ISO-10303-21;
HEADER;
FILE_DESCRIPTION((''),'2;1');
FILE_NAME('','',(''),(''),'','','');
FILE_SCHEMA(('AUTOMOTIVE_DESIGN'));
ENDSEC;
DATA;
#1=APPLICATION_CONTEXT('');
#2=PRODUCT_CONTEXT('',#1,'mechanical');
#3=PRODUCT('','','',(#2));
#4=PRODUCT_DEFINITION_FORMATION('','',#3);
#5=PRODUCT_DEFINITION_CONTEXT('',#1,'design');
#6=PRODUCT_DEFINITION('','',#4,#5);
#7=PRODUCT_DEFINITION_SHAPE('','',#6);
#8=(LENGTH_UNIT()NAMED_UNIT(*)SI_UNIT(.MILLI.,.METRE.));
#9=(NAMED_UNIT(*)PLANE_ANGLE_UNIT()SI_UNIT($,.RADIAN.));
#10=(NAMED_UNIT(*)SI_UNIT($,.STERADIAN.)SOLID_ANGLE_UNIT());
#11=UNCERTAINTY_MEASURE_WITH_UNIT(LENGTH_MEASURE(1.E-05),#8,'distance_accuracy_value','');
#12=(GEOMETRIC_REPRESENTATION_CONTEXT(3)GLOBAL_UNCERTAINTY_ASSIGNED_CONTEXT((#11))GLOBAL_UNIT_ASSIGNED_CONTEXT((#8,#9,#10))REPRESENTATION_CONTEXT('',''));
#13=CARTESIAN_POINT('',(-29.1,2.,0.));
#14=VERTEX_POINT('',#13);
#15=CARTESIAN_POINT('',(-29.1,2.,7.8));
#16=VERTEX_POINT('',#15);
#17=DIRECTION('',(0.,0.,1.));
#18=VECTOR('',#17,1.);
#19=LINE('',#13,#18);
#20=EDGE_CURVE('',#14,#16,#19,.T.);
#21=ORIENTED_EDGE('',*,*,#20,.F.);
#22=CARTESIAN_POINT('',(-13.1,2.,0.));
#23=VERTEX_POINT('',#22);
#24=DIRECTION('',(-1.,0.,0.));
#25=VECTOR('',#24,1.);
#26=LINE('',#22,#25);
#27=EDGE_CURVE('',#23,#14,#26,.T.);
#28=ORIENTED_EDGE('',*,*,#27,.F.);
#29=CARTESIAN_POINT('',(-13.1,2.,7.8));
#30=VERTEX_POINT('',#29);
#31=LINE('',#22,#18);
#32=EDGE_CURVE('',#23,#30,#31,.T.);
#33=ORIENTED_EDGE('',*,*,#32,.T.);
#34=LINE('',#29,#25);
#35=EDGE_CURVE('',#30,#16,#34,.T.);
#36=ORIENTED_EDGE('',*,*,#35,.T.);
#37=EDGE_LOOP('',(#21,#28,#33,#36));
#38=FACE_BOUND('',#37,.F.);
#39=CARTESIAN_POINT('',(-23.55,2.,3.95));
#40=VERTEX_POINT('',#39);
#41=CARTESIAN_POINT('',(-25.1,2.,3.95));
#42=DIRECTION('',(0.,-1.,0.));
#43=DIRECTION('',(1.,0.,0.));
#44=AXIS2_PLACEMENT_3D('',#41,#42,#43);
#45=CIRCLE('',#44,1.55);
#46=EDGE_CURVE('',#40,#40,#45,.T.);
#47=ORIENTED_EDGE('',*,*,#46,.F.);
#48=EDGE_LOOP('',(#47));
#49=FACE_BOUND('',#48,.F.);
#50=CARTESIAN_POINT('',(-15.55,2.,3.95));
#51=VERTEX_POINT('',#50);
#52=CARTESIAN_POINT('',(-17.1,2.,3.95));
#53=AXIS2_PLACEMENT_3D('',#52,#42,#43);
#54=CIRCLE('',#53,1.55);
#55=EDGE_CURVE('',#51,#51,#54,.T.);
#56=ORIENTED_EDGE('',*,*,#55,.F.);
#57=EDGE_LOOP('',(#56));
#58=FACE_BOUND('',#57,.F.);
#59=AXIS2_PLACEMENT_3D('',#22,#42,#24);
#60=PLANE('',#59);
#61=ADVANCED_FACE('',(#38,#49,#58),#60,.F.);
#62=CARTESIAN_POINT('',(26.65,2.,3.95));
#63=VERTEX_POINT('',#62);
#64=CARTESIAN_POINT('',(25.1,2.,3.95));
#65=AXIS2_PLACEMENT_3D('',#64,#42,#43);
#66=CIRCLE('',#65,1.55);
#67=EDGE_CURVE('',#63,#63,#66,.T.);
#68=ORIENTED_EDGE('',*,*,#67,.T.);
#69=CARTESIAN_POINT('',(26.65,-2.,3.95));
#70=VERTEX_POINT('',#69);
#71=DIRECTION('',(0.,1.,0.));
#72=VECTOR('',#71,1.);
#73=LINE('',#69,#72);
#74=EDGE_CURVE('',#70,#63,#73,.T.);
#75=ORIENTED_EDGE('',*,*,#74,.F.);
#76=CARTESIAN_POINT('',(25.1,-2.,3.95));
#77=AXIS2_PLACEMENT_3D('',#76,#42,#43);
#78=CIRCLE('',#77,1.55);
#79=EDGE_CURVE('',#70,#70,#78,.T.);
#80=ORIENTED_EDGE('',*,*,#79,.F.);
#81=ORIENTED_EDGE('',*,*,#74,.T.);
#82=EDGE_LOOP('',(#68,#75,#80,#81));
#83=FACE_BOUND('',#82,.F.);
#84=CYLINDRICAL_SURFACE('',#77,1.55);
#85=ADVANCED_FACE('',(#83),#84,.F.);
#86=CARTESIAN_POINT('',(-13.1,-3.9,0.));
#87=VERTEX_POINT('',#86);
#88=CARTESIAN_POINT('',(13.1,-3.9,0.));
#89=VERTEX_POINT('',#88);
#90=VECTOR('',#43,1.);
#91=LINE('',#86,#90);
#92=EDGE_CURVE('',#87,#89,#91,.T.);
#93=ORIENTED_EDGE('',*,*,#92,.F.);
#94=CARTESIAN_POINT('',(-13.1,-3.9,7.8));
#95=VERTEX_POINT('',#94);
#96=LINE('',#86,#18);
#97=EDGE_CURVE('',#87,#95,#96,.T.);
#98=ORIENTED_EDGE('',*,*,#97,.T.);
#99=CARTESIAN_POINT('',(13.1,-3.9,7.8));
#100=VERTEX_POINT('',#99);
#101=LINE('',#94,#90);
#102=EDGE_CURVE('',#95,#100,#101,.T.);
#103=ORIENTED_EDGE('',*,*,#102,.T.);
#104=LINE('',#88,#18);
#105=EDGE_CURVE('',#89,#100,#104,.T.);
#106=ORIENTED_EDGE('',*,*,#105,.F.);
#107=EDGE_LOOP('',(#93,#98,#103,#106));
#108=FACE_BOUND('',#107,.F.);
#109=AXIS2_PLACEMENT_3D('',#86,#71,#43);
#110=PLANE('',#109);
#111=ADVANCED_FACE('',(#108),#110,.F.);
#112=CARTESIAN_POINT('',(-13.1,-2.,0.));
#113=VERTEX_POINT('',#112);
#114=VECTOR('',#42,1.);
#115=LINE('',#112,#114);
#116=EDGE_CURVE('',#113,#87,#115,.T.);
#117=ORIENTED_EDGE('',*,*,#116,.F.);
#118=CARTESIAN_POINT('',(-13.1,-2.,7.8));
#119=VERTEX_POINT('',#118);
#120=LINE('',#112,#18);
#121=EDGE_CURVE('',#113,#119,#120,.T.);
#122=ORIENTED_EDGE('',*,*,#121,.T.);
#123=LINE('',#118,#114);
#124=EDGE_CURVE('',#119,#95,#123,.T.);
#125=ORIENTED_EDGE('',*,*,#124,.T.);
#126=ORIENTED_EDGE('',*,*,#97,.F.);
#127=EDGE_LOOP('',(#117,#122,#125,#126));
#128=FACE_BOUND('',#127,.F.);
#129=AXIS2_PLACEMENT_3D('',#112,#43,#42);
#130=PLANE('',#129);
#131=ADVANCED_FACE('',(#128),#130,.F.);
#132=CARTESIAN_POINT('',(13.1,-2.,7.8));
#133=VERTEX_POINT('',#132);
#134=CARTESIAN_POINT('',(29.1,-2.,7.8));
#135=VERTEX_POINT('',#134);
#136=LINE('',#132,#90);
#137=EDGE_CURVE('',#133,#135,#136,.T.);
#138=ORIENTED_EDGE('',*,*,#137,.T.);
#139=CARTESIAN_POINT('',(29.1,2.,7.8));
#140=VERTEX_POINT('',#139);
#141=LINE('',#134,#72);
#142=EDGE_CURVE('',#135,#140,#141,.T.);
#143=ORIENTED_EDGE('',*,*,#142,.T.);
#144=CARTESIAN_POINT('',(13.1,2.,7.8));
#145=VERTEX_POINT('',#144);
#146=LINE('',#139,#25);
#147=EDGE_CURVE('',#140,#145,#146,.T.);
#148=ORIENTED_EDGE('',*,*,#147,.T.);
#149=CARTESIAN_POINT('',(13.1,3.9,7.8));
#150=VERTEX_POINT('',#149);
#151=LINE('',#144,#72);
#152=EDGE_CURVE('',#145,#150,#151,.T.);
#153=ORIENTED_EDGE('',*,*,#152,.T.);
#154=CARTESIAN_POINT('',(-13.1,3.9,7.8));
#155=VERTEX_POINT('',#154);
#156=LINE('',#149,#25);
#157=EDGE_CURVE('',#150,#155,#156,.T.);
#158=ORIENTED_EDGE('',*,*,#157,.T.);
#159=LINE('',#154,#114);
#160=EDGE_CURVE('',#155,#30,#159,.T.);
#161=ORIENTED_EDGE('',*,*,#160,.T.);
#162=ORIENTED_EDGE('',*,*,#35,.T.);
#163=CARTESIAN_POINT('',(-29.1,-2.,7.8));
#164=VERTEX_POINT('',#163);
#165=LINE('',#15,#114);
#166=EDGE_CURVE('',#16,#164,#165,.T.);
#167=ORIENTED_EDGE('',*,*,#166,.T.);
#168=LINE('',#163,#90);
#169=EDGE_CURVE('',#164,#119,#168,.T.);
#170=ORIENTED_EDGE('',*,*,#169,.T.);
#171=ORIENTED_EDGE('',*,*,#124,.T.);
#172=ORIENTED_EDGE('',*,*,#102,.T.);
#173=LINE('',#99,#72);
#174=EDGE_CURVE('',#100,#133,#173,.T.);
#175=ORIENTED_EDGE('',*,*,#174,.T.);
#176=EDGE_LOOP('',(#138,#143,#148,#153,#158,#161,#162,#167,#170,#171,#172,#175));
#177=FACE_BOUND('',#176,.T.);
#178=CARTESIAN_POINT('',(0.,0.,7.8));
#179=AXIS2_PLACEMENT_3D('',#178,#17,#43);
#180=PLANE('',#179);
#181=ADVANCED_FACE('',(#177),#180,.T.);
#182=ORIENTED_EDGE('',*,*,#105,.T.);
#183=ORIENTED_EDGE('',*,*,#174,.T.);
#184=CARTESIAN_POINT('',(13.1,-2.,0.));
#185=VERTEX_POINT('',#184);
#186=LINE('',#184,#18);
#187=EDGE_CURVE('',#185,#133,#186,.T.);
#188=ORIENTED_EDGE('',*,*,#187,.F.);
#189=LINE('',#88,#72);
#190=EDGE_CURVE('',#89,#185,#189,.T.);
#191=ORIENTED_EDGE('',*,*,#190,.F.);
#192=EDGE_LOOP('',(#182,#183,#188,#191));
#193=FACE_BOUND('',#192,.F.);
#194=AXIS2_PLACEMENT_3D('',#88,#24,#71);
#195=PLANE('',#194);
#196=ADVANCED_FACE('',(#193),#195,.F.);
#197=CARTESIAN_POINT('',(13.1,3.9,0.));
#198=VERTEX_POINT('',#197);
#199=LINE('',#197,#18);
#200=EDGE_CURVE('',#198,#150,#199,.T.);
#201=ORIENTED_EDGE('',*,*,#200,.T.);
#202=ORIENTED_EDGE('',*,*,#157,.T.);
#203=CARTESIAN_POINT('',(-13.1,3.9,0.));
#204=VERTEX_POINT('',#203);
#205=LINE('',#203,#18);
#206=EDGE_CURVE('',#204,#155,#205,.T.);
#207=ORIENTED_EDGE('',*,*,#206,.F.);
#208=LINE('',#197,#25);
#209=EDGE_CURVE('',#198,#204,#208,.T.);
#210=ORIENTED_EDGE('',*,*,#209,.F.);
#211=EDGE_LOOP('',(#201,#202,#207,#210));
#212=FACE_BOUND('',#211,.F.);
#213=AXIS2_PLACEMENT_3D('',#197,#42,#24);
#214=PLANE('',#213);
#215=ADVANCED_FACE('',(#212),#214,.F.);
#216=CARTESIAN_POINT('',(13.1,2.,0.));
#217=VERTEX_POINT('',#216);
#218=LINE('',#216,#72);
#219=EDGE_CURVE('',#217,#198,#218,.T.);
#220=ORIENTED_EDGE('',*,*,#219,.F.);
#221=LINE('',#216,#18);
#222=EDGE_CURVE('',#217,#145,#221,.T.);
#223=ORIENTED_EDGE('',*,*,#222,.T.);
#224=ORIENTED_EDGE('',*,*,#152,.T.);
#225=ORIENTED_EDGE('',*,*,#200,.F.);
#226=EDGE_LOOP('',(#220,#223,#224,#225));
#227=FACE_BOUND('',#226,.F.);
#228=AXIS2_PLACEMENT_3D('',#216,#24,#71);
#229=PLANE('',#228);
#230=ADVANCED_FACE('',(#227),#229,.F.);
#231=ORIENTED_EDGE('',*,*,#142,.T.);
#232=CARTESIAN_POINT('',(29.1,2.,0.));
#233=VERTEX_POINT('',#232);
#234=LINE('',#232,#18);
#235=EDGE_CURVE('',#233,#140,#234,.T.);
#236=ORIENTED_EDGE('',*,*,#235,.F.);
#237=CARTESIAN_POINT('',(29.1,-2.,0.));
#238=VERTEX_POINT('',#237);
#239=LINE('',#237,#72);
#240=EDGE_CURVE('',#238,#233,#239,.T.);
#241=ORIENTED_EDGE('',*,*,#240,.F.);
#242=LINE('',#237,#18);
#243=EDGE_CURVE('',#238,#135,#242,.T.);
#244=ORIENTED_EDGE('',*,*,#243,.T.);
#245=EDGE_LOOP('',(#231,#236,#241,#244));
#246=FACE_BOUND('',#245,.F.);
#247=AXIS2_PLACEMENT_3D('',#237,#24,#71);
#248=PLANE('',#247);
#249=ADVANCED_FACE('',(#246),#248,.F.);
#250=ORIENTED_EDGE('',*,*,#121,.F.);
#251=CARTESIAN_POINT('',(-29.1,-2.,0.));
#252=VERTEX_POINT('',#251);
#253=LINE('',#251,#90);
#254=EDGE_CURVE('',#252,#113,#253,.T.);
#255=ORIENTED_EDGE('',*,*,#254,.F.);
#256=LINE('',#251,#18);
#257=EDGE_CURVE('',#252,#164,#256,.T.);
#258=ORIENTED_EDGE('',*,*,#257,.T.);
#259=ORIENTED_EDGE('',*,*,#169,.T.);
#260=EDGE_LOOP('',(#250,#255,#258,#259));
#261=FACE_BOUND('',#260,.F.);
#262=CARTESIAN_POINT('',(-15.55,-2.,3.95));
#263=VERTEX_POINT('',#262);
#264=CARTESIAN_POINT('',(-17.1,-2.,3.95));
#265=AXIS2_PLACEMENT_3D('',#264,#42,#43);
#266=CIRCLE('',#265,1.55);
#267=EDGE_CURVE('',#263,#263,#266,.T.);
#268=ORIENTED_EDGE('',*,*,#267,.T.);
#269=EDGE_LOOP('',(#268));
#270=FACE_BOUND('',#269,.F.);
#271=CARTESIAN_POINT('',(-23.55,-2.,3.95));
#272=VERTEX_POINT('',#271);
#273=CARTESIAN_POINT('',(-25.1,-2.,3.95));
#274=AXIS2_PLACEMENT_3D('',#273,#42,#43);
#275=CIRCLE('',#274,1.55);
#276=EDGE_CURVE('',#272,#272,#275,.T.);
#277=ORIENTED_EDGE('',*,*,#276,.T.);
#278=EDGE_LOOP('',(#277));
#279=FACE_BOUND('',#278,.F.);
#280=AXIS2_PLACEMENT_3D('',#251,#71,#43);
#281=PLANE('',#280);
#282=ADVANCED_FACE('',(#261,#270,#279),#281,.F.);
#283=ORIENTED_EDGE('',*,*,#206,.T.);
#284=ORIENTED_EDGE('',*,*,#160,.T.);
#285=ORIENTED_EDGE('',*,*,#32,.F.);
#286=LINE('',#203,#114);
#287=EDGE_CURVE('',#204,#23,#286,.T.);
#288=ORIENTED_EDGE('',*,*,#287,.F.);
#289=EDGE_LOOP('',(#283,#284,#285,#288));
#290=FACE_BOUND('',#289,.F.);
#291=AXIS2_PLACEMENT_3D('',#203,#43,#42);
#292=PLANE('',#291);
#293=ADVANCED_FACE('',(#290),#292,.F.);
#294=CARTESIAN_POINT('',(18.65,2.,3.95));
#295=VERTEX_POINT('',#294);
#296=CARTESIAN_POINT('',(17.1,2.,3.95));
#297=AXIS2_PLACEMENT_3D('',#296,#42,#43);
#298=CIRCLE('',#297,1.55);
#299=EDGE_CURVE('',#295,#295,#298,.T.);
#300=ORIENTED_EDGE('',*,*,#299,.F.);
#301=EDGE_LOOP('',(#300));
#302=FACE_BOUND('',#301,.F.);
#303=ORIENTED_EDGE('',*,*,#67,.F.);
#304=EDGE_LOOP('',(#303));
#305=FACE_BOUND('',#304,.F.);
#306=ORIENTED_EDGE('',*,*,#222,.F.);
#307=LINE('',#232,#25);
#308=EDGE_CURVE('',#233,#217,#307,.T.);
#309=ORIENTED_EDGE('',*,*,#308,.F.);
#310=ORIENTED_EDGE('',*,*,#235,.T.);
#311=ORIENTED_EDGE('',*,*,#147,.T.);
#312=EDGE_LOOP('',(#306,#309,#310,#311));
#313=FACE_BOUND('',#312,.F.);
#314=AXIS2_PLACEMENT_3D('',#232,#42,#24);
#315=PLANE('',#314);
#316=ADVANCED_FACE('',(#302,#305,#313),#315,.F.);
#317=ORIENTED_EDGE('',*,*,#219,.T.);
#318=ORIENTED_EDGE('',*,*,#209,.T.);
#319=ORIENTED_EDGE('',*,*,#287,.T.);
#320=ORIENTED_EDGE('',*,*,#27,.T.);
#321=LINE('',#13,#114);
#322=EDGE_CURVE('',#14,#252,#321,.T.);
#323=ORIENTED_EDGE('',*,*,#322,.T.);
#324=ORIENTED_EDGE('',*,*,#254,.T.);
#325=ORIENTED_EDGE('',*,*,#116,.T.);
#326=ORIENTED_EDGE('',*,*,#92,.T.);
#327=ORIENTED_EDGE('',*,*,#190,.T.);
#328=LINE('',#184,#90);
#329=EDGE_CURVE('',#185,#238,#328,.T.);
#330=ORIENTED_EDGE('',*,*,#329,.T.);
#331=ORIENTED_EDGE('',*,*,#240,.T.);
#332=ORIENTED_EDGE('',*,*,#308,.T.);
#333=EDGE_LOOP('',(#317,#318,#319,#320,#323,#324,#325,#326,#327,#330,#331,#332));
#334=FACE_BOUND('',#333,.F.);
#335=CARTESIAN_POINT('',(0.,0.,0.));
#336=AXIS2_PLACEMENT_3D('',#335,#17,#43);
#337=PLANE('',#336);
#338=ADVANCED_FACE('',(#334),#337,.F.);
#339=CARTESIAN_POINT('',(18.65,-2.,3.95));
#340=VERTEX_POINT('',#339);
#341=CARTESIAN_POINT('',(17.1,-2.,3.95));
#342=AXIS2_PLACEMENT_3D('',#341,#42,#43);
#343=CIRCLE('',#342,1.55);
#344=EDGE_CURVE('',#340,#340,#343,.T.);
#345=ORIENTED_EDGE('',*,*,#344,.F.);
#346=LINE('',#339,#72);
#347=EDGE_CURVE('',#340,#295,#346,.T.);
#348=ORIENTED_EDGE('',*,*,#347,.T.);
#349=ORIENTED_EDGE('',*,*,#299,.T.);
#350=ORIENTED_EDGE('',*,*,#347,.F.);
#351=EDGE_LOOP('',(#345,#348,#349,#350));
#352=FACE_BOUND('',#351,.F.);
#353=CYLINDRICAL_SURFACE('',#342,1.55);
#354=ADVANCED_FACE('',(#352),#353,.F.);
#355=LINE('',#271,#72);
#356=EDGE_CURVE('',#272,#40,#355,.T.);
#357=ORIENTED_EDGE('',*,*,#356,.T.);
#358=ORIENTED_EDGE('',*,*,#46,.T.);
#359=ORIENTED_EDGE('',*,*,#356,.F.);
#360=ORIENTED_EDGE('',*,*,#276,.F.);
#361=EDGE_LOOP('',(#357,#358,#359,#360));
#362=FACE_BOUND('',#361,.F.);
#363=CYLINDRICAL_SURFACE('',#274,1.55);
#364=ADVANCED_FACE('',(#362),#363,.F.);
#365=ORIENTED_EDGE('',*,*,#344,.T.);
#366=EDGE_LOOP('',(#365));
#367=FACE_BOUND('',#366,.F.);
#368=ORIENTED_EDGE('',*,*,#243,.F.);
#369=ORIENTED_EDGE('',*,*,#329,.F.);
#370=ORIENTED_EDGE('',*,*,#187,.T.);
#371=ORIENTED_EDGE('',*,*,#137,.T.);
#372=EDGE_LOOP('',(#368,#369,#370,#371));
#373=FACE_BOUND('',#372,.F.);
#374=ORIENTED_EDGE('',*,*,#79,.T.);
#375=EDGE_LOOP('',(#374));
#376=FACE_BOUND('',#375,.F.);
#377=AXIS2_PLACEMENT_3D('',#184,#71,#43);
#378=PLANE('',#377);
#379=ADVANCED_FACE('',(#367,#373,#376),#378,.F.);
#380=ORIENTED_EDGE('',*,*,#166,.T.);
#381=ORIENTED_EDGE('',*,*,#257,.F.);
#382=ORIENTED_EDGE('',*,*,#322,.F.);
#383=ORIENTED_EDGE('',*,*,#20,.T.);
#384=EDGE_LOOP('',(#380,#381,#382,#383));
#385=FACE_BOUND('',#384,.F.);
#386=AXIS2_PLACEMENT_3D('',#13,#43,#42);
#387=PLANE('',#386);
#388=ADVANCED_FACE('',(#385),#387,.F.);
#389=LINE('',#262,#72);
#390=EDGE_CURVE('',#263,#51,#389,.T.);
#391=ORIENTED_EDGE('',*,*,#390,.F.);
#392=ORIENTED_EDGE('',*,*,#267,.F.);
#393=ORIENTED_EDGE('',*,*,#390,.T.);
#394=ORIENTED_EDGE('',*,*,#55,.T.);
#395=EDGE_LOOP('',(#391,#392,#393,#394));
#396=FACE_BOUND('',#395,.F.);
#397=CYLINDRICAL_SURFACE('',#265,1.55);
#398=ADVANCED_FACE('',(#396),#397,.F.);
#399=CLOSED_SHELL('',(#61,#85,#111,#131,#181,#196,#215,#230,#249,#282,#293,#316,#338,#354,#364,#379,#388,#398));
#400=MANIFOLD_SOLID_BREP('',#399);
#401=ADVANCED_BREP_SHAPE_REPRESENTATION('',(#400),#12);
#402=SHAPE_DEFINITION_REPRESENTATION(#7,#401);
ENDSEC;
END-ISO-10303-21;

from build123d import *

# Parameters (mm, degrees)
PAD_DEPTH       = 7.8
SKETCH001_R     = 1.55
POCKET_DEPTH    = 5.901
POCKET001_DEPTH = 5.901


with BuildPart() as part:
    # Sketch → Pad (new body)
    with BuildSketch(Plane.XY):
        Polygon((29.1, -2), (29.1, 2), (13.1, 2), (13.1, 3.9), (-13.1, 3.9), (-13.1, 2), (-29.1, 2), (-29.1, -2), (-13.1, -2), (-13.1, -3.9), (13.1, -3.9), (13.1, -2), align=None)
    extrude(amount=PAD_DEPTH)

    # Sketch001 (on Face3 of Pad) → Pocket (cut, through all)
    with BuildSketch(Plane.XZ.offset(2)):
        with Locations((-25.1, 3.95)):
            Circle(SKETCH001_R)
        with Locations((-17.1, 3.95)):
            Circle(SKETCH001_R)
        with Locations((17.1, 3.95)):
            Circle(SKETCH001_R)
        with Locations((25.1, 3.95)):
            Circle(SKETCH001_R)
    extrude(amount=-POCKET_DEPTH, mode=Mode.SUBTRACT)

    # Sketch001 (on Face3 of Pad) → Pocket001 (cut, through all)
    with BuildSketch(Plane.XZ.offset(2)):
        with Locations((-25.1, 3.95)):
            Circle(SKETCH001_R)
        with Locations((-17.1, 3.95)):
            Circle(SKETCH001_R)
        with Locations((17.1, 3.95)):
            Circle(SKETCH001_R)
        with Locations((25.1, 3.95)):
            Circle(SKETCH001_R)
    extrude(amount=-POCKET001_DEPTH, mode=Mode.SUBTRACT)


solid = part.part
